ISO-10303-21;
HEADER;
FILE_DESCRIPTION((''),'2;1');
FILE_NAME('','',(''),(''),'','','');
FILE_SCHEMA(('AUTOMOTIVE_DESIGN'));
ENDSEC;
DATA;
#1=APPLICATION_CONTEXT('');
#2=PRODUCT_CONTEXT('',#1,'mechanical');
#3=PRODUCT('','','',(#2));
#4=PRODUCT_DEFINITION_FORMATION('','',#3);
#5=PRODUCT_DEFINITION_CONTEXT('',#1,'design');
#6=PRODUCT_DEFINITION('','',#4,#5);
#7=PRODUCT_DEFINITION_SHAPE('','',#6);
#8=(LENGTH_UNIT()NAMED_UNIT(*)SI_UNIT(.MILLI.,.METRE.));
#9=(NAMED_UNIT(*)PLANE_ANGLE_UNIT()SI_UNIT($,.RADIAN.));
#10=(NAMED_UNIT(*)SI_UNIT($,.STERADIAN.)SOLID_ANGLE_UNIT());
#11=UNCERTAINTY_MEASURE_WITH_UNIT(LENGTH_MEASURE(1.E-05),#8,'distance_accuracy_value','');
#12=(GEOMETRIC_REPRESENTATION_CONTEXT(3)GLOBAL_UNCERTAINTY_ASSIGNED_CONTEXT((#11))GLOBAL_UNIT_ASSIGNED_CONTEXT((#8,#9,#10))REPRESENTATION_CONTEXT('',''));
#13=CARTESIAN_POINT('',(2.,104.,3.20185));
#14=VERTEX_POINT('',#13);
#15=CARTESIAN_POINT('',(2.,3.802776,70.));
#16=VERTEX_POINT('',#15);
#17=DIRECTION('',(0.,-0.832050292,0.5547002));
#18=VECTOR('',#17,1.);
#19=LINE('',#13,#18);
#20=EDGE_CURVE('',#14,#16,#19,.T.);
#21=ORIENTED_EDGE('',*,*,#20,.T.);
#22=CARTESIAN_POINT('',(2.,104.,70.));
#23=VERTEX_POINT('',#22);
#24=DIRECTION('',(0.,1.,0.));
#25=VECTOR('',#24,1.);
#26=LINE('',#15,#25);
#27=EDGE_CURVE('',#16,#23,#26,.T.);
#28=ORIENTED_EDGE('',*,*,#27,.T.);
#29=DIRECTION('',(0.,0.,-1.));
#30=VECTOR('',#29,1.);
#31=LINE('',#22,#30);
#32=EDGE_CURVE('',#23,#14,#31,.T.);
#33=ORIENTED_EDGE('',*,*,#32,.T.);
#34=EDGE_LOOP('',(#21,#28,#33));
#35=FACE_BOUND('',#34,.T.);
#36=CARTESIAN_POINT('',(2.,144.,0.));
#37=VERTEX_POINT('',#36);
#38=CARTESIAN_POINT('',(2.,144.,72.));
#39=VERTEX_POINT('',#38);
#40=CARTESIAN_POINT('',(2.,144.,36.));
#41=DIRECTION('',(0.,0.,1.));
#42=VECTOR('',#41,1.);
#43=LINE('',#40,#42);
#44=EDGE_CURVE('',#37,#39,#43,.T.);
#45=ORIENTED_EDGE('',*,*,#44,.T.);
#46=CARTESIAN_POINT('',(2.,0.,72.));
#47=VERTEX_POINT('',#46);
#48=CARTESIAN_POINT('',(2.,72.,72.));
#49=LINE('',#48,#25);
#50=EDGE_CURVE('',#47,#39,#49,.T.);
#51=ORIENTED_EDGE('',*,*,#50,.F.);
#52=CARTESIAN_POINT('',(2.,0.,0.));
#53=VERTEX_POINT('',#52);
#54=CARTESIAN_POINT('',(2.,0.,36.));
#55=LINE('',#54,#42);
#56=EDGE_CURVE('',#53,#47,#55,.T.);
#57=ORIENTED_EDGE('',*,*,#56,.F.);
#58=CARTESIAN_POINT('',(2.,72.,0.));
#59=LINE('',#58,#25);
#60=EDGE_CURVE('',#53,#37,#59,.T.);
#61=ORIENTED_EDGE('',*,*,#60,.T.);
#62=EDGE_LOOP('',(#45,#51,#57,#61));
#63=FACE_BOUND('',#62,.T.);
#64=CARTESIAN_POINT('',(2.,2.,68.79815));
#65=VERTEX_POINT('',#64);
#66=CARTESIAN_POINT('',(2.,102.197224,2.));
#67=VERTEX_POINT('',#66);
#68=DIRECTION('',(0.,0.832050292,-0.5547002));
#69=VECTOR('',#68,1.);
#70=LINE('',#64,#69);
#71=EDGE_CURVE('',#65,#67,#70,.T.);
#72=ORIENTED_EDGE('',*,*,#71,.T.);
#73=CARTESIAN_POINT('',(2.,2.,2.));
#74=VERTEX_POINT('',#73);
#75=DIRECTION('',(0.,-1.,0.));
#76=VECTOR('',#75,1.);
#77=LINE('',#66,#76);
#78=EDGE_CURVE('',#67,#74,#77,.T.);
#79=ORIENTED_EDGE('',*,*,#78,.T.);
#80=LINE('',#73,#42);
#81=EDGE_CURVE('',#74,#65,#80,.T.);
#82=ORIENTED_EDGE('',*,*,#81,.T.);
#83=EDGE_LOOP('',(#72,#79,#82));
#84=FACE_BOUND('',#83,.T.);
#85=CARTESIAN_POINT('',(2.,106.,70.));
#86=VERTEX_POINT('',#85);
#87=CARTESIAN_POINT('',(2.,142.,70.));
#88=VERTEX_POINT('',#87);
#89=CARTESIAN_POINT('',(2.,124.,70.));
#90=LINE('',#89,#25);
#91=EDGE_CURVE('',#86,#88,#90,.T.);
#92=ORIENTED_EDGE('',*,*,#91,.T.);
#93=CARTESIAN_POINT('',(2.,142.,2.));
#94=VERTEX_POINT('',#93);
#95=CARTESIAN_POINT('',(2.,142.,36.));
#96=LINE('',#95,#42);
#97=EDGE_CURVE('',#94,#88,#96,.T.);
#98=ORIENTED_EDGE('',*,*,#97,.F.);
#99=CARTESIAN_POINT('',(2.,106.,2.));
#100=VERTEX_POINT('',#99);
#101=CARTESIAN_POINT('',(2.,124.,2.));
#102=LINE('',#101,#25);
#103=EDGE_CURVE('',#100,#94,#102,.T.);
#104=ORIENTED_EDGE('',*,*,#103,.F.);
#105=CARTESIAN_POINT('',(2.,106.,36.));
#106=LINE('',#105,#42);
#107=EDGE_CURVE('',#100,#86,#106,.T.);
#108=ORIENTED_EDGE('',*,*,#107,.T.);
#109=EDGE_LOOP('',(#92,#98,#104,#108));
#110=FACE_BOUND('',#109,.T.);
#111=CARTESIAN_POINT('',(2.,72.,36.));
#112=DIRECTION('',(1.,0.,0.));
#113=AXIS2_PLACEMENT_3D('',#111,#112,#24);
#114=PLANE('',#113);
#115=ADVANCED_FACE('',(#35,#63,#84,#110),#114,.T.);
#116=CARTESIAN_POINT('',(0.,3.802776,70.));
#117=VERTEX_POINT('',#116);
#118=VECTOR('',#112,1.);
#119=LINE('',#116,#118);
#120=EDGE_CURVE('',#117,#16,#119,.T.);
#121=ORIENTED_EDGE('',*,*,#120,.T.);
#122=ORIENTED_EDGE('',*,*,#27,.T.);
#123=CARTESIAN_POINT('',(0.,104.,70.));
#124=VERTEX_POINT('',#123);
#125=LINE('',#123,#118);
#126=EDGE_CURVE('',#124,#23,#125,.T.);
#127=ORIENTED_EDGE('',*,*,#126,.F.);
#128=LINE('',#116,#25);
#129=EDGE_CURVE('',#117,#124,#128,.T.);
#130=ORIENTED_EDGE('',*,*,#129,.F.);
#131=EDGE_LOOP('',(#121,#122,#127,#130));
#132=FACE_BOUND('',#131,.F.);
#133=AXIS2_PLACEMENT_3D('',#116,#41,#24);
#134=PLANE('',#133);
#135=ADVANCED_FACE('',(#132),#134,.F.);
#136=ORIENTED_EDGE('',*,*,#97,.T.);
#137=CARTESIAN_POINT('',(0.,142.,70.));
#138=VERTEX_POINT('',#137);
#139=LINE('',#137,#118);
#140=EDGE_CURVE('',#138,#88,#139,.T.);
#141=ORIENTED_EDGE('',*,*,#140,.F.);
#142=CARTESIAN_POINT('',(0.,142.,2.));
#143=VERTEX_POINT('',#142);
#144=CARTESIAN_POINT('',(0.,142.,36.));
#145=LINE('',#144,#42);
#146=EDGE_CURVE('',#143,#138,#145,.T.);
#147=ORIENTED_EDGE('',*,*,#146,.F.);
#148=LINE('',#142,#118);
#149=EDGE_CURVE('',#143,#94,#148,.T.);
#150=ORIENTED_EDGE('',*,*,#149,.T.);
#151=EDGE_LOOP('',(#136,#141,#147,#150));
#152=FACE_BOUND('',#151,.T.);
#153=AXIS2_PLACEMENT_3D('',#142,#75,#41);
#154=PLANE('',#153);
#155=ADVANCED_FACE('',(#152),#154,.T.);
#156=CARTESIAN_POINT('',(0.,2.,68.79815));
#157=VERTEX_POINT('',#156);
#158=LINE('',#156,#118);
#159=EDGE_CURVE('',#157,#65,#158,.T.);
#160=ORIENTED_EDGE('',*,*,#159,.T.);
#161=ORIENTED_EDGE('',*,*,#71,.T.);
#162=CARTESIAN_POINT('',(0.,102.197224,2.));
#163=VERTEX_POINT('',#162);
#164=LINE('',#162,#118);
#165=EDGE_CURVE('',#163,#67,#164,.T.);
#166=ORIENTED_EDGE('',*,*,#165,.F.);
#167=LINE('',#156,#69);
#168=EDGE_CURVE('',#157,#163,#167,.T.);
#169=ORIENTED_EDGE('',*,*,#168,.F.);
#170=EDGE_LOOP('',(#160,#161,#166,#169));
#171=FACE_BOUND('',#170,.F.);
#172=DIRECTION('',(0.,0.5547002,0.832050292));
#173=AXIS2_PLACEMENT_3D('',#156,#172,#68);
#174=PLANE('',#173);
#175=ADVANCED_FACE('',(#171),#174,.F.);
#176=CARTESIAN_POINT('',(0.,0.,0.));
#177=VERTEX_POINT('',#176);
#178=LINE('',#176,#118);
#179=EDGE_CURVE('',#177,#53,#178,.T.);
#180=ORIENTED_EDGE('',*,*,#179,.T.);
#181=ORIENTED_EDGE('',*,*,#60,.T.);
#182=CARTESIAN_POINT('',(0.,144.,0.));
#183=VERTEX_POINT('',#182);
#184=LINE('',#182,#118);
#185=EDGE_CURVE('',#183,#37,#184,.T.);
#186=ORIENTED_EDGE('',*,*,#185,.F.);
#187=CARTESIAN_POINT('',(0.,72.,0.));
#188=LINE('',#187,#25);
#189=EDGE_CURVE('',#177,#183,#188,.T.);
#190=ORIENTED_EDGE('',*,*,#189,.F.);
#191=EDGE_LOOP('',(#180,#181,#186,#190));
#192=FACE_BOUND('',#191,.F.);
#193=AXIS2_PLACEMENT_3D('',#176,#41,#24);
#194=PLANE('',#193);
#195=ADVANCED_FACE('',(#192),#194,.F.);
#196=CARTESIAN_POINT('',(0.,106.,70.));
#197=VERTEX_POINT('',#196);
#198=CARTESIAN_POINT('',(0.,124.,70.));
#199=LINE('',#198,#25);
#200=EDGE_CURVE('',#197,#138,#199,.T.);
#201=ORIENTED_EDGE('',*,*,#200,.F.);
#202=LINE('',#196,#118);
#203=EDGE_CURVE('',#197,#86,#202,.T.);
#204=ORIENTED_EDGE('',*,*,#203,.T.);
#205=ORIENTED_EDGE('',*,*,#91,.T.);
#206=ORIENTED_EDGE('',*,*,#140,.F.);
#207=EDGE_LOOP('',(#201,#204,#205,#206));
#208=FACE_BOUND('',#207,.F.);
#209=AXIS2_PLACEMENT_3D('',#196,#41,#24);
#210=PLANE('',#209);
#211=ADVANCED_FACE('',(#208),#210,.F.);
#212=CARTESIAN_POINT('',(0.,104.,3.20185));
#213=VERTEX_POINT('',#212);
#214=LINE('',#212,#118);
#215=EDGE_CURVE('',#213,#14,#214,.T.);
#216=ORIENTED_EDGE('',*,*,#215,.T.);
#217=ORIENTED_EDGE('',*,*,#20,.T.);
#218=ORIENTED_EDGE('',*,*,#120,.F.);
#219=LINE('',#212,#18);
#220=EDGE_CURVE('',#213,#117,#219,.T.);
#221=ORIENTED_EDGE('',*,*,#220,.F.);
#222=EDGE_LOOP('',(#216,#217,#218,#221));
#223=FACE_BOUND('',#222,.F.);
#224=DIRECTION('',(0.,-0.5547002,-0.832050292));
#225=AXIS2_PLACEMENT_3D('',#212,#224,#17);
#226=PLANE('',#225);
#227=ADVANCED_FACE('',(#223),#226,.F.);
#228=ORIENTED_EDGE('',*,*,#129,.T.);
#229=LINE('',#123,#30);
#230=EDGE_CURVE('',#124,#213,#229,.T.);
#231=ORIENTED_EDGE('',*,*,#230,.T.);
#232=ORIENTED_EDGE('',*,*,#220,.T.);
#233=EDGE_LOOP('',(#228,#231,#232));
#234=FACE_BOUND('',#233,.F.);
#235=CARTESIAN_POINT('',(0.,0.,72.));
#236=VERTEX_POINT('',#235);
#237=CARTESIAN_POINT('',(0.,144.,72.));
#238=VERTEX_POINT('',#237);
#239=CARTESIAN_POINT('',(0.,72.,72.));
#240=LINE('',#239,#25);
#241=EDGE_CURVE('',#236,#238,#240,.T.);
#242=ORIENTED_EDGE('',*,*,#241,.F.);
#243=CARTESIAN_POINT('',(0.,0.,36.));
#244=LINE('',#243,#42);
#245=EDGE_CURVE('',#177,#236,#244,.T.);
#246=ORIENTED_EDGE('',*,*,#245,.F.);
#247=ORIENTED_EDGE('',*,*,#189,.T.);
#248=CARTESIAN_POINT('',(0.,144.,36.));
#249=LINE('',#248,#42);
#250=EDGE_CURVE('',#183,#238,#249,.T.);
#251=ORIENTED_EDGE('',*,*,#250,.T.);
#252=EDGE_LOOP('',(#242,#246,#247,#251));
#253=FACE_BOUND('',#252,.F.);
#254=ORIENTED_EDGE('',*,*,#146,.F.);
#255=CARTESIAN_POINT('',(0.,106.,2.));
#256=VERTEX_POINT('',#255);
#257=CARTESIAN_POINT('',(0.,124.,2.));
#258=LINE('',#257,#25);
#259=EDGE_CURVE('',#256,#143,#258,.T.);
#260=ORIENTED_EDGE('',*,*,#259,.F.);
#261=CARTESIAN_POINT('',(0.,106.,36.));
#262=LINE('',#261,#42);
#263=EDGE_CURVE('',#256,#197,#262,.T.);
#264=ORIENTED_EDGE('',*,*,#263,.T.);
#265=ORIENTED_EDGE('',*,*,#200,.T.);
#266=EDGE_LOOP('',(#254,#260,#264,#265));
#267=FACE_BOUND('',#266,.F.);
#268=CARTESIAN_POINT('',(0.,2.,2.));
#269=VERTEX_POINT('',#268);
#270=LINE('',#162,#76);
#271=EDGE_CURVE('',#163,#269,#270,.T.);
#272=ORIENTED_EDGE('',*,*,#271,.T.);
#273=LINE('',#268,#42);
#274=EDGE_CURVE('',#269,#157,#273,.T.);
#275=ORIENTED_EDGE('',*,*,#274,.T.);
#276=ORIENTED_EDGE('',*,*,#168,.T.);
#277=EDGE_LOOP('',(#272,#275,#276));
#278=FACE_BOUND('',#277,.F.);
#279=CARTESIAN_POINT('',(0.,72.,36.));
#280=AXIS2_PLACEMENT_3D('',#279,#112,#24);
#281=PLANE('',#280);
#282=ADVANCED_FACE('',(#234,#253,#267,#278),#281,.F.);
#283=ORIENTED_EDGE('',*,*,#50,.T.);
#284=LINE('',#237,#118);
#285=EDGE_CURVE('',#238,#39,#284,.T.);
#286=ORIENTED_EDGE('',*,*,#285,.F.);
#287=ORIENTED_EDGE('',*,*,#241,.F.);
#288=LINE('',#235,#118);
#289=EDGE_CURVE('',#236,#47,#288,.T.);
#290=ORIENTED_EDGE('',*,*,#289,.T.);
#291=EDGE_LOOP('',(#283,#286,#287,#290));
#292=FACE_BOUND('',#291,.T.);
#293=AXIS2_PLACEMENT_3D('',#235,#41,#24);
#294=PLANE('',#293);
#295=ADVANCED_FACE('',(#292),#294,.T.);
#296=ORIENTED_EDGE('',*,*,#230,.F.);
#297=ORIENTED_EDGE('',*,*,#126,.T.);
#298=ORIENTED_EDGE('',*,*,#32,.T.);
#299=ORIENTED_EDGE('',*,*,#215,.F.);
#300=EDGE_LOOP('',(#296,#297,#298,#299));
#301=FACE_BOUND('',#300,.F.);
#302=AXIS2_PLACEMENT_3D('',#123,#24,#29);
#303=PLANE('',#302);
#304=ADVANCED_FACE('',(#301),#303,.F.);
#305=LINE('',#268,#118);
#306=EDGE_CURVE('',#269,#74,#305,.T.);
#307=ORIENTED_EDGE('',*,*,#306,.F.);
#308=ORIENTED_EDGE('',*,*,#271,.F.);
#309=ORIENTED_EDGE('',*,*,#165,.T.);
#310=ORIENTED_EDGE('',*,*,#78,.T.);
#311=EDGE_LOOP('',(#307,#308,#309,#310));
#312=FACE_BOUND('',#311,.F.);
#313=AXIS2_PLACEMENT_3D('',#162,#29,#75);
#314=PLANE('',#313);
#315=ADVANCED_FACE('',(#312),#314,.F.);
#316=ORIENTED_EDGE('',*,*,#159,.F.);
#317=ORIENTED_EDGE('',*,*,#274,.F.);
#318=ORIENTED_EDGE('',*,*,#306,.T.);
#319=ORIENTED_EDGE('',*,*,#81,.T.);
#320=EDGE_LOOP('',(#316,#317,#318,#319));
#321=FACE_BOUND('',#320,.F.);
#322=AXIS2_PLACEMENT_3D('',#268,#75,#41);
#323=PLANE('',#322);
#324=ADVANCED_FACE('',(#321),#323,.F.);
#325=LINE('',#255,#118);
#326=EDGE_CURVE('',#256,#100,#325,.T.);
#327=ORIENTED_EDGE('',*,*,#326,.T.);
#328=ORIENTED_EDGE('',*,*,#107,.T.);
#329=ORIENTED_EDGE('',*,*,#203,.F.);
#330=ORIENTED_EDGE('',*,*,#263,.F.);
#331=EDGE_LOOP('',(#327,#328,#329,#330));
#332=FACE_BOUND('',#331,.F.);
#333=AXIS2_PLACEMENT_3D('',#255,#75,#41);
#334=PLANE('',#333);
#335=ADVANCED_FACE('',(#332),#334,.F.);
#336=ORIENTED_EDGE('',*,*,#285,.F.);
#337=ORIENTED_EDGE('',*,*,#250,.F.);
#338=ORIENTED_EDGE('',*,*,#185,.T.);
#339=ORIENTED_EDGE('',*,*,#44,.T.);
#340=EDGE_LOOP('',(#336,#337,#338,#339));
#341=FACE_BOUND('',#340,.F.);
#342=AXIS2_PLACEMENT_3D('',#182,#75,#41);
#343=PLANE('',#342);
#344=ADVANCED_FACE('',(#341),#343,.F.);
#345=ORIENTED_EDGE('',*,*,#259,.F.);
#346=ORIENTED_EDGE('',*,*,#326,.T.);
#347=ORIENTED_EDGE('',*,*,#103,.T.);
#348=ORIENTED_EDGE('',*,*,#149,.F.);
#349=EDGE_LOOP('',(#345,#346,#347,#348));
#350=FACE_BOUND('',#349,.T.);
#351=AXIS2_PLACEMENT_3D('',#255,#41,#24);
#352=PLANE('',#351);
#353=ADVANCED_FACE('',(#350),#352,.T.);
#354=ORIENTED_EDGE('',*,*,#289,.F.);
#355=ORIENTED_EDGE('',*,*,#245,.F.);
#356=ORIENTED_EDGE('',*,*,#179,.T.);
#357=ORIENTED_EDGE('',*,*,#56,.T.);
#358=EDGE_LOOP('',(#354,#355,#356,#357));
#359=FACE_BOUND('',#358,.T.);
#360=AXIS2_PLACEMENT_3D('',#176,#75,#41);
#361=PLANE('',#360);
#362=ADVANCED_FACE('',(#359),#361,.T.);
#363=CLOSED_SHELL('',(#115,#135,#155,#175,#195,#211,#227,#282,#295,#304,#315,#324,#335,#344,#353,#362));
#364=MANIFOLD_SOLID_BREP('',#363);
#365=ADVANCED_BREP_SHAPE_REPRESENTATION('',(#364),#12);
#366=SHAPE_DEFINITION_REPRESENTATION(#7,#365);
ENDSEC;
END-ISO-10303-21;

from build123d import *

# Parameters (mm, degrees)
F0_W     = 144
F0_H     = 72
F0_W_2   = 36
F0_H_2   = 68
F1_DEPTH = 2


with BuildPart() as f1:
    # F0 (on Right) → F1 (new body)
    with BuildSketch(Plane.YZ):
        with Locations((72, 36)):
            Rectangle(F0_W, F0_H)
        Polygon((2, 2), (2, 68.79815), (102.197224, 2), align=None, mode=Mode.SUBTRACT)
        Polygon((104, 70), (104, 3.20185), (3.802776, 70), align=None, mode=Mode.SUBTRACT)
        with Locations((124, 36)):
            Rectangle(F0_W_2, F0_H_2, mode=Mode.SUBTRACT)
    extrude(amount=F1_DEPTH)


solid = f1.part
